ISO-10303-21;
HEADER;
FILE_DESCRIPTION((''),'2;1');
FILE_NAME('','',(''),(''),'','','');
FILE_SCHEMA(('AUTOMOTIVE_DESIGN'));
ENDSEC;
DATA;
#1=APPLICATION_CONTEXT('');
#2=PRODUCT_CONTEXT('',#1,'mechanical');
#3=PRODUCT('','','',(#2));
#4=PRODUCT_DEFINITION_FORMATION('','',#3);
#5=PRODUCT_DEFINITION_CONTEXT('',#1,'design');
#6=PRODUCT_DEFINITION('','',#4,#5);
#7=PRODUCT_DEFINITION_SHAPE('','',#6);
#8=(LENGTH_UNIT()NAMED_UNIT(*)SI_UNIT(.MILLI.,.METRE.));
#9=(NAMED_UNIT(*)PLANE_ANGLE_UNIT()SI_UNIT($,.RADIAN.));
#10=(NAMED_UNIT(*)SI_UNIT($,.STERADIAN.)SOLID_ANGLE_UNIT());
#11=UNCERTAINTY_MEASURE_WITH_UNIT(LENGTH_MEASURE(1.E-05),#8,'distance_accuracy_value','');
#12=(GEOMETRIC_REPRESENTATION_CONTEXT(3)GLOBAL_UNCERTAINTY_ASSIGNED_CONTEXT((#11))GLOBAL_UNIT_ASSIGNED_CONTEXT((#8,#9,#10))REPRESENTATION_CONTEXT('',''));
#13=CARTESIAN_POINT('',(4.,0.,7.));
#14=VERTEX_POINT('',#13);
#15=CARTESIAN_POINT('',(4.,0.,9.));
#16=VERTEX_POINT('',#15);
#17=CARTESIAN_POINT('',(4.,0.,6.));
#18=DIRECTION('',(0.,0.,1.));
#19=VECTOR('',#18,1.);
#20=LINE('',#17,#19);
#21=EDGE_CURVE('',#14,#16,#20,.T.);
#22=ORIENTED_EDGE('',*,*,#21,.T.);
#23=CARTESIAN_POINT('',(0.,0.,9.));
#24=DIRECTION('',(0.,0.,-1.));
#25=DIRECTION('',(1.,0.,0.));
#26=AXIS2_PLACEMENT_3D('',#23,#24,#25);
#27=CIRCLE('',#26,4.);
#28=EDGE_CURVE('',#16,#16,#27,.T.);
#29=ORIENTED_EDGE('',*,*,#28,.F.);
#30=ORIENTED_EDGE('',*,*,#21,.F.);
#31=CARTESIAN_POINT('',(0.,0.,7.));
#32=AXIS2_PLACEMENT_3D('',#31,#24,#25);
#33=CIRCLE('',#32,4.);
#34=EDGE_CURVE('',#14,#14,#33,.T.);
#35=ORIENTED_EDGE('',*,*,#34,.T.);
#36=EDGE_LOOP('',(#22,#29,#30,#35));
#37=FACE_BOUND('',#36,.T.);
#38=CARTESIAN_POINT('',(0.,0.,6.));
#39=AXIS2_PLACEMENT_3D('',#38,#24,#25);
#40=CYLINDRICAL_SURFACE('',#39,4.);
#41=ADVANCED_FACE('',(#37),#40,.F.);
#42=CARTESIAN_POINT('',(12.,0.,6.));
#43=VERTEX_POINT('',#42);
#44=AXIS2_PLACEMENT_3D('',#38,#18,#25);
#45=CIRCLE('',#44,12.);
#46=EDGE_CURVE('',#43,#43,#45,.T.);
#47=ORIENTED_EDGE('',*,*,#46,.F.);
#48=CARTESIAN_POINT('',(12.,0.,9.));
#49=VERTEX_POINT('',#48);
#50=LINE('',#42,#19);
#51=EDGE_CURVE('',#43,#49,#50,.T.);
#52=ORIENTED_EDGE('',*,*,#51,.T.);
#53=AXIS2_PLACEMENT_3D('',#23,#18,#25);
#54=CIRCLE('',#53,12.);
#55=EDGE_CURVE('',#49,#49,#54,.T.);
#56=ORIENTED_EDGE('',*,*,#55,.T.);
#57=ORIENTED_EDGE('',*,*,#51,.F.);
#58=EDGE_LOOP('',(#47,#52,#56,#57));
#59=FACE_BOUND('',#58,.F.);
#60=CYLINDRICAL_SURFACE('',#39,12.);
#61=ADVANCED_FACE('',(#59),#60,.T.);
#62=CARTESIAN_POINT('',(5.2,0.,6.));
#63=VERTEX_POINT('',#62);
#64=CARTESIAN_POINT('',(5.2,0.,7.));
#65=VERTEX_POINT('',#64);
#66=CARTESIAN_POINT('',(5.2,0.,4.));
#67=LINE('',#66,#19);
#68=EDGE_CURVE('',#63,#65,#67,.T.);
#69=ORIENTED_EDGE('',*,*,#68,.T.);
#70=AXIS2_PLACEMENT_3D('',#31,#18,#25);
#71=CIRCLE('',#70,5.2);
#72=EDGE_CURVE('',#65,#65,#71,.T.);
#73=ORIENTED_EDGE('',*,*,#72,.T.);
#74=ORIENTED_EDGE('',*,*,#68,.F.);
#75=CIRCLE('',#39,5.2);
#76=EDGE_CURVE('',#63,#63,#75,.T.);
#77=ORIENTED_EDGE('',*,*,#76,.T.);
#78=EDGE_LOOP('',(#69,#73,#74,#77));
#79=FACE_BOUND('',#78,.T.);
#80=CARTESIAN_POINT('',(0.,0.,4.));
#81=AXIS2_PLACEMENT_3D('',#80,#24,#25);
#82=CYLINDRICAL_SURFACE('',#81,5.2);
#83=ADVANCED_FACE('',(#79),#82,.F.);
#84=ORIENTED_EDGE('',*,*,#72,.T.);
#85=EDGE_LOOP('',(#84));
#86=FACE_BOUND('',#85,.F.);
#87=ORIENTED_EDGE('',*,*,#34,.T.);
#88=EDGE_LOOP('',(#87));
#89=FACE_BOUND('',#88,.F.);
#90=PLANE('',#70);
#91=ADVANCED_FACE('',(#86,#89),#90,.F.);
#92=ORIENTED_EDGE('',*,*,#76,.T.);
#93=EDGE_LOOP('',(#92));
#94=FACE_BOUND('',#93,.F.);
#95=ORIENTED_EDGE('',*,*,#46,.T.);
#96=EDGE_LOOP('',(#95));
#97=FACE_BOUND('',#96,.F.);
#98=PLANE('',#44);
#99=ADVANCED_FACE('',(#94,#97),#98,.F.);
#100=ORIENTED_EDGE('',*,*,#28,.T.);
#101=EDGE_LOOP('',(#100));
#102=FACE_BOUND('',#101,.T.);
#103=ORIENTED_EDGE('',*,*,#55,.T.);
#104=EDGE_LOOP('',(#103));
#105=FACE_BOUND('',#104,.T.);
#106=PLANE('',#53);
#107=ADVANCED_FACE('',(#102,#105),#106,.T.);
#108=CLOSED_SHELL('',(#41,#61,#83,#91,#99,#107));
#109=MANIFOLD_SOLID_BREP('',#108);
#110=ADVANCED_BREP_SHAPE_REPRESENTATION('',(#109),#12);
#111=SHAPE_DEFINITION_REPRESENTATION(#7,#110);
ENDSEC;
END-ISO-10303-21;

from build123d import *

# Parameters (mm, degrees)
CYLINDER004_R     = 4
CYLINDER004_DEPTH = 10
CYLINDER003_R     = 5.2
CYLINDER003_DEPTH = 3
CYLINDER_R        = 12
CYLINDER_DEPTH    = 3


with BuildPart() as cylinder004:
    # Cylinder004 → Cylinder004 (new body)
    with BuildSketch(Plane.XY):
        Circle(CYLINDER004_R)
    extrude(amount=CYLINDER004_DEPTH)


with BuildPart() as cylinder003:
    # Cylinder003 → Cylinder003 (new body)
    with BuildSketch(Plane.XY.offset(-2)):
        Circle(CYLINDER003_R)
    extrude(amount=CYLINDER003_DEPTH)


with BuildPart() as cut001:
    # Cylinder → Cylinder (new body)
    with BuildSketch(Plane.XY):
        Circle(CYLINDER_R)
    extrude(amount=CYLINDER_DEPTH)

    # Cut: cut Cylinder003
    add(cylinder003.part, mode=Mode.SUBTRACT)

    # Cut001: cut Cylinder004
    add(cylinder004.part, mode=Mode.SUBTRACT)


with BuildPart() as cut001_1:
    # Cut001 placement: moved
    add(cut001.part.moved(Location((0, 0, 6))))


solid = cut001_1.part
